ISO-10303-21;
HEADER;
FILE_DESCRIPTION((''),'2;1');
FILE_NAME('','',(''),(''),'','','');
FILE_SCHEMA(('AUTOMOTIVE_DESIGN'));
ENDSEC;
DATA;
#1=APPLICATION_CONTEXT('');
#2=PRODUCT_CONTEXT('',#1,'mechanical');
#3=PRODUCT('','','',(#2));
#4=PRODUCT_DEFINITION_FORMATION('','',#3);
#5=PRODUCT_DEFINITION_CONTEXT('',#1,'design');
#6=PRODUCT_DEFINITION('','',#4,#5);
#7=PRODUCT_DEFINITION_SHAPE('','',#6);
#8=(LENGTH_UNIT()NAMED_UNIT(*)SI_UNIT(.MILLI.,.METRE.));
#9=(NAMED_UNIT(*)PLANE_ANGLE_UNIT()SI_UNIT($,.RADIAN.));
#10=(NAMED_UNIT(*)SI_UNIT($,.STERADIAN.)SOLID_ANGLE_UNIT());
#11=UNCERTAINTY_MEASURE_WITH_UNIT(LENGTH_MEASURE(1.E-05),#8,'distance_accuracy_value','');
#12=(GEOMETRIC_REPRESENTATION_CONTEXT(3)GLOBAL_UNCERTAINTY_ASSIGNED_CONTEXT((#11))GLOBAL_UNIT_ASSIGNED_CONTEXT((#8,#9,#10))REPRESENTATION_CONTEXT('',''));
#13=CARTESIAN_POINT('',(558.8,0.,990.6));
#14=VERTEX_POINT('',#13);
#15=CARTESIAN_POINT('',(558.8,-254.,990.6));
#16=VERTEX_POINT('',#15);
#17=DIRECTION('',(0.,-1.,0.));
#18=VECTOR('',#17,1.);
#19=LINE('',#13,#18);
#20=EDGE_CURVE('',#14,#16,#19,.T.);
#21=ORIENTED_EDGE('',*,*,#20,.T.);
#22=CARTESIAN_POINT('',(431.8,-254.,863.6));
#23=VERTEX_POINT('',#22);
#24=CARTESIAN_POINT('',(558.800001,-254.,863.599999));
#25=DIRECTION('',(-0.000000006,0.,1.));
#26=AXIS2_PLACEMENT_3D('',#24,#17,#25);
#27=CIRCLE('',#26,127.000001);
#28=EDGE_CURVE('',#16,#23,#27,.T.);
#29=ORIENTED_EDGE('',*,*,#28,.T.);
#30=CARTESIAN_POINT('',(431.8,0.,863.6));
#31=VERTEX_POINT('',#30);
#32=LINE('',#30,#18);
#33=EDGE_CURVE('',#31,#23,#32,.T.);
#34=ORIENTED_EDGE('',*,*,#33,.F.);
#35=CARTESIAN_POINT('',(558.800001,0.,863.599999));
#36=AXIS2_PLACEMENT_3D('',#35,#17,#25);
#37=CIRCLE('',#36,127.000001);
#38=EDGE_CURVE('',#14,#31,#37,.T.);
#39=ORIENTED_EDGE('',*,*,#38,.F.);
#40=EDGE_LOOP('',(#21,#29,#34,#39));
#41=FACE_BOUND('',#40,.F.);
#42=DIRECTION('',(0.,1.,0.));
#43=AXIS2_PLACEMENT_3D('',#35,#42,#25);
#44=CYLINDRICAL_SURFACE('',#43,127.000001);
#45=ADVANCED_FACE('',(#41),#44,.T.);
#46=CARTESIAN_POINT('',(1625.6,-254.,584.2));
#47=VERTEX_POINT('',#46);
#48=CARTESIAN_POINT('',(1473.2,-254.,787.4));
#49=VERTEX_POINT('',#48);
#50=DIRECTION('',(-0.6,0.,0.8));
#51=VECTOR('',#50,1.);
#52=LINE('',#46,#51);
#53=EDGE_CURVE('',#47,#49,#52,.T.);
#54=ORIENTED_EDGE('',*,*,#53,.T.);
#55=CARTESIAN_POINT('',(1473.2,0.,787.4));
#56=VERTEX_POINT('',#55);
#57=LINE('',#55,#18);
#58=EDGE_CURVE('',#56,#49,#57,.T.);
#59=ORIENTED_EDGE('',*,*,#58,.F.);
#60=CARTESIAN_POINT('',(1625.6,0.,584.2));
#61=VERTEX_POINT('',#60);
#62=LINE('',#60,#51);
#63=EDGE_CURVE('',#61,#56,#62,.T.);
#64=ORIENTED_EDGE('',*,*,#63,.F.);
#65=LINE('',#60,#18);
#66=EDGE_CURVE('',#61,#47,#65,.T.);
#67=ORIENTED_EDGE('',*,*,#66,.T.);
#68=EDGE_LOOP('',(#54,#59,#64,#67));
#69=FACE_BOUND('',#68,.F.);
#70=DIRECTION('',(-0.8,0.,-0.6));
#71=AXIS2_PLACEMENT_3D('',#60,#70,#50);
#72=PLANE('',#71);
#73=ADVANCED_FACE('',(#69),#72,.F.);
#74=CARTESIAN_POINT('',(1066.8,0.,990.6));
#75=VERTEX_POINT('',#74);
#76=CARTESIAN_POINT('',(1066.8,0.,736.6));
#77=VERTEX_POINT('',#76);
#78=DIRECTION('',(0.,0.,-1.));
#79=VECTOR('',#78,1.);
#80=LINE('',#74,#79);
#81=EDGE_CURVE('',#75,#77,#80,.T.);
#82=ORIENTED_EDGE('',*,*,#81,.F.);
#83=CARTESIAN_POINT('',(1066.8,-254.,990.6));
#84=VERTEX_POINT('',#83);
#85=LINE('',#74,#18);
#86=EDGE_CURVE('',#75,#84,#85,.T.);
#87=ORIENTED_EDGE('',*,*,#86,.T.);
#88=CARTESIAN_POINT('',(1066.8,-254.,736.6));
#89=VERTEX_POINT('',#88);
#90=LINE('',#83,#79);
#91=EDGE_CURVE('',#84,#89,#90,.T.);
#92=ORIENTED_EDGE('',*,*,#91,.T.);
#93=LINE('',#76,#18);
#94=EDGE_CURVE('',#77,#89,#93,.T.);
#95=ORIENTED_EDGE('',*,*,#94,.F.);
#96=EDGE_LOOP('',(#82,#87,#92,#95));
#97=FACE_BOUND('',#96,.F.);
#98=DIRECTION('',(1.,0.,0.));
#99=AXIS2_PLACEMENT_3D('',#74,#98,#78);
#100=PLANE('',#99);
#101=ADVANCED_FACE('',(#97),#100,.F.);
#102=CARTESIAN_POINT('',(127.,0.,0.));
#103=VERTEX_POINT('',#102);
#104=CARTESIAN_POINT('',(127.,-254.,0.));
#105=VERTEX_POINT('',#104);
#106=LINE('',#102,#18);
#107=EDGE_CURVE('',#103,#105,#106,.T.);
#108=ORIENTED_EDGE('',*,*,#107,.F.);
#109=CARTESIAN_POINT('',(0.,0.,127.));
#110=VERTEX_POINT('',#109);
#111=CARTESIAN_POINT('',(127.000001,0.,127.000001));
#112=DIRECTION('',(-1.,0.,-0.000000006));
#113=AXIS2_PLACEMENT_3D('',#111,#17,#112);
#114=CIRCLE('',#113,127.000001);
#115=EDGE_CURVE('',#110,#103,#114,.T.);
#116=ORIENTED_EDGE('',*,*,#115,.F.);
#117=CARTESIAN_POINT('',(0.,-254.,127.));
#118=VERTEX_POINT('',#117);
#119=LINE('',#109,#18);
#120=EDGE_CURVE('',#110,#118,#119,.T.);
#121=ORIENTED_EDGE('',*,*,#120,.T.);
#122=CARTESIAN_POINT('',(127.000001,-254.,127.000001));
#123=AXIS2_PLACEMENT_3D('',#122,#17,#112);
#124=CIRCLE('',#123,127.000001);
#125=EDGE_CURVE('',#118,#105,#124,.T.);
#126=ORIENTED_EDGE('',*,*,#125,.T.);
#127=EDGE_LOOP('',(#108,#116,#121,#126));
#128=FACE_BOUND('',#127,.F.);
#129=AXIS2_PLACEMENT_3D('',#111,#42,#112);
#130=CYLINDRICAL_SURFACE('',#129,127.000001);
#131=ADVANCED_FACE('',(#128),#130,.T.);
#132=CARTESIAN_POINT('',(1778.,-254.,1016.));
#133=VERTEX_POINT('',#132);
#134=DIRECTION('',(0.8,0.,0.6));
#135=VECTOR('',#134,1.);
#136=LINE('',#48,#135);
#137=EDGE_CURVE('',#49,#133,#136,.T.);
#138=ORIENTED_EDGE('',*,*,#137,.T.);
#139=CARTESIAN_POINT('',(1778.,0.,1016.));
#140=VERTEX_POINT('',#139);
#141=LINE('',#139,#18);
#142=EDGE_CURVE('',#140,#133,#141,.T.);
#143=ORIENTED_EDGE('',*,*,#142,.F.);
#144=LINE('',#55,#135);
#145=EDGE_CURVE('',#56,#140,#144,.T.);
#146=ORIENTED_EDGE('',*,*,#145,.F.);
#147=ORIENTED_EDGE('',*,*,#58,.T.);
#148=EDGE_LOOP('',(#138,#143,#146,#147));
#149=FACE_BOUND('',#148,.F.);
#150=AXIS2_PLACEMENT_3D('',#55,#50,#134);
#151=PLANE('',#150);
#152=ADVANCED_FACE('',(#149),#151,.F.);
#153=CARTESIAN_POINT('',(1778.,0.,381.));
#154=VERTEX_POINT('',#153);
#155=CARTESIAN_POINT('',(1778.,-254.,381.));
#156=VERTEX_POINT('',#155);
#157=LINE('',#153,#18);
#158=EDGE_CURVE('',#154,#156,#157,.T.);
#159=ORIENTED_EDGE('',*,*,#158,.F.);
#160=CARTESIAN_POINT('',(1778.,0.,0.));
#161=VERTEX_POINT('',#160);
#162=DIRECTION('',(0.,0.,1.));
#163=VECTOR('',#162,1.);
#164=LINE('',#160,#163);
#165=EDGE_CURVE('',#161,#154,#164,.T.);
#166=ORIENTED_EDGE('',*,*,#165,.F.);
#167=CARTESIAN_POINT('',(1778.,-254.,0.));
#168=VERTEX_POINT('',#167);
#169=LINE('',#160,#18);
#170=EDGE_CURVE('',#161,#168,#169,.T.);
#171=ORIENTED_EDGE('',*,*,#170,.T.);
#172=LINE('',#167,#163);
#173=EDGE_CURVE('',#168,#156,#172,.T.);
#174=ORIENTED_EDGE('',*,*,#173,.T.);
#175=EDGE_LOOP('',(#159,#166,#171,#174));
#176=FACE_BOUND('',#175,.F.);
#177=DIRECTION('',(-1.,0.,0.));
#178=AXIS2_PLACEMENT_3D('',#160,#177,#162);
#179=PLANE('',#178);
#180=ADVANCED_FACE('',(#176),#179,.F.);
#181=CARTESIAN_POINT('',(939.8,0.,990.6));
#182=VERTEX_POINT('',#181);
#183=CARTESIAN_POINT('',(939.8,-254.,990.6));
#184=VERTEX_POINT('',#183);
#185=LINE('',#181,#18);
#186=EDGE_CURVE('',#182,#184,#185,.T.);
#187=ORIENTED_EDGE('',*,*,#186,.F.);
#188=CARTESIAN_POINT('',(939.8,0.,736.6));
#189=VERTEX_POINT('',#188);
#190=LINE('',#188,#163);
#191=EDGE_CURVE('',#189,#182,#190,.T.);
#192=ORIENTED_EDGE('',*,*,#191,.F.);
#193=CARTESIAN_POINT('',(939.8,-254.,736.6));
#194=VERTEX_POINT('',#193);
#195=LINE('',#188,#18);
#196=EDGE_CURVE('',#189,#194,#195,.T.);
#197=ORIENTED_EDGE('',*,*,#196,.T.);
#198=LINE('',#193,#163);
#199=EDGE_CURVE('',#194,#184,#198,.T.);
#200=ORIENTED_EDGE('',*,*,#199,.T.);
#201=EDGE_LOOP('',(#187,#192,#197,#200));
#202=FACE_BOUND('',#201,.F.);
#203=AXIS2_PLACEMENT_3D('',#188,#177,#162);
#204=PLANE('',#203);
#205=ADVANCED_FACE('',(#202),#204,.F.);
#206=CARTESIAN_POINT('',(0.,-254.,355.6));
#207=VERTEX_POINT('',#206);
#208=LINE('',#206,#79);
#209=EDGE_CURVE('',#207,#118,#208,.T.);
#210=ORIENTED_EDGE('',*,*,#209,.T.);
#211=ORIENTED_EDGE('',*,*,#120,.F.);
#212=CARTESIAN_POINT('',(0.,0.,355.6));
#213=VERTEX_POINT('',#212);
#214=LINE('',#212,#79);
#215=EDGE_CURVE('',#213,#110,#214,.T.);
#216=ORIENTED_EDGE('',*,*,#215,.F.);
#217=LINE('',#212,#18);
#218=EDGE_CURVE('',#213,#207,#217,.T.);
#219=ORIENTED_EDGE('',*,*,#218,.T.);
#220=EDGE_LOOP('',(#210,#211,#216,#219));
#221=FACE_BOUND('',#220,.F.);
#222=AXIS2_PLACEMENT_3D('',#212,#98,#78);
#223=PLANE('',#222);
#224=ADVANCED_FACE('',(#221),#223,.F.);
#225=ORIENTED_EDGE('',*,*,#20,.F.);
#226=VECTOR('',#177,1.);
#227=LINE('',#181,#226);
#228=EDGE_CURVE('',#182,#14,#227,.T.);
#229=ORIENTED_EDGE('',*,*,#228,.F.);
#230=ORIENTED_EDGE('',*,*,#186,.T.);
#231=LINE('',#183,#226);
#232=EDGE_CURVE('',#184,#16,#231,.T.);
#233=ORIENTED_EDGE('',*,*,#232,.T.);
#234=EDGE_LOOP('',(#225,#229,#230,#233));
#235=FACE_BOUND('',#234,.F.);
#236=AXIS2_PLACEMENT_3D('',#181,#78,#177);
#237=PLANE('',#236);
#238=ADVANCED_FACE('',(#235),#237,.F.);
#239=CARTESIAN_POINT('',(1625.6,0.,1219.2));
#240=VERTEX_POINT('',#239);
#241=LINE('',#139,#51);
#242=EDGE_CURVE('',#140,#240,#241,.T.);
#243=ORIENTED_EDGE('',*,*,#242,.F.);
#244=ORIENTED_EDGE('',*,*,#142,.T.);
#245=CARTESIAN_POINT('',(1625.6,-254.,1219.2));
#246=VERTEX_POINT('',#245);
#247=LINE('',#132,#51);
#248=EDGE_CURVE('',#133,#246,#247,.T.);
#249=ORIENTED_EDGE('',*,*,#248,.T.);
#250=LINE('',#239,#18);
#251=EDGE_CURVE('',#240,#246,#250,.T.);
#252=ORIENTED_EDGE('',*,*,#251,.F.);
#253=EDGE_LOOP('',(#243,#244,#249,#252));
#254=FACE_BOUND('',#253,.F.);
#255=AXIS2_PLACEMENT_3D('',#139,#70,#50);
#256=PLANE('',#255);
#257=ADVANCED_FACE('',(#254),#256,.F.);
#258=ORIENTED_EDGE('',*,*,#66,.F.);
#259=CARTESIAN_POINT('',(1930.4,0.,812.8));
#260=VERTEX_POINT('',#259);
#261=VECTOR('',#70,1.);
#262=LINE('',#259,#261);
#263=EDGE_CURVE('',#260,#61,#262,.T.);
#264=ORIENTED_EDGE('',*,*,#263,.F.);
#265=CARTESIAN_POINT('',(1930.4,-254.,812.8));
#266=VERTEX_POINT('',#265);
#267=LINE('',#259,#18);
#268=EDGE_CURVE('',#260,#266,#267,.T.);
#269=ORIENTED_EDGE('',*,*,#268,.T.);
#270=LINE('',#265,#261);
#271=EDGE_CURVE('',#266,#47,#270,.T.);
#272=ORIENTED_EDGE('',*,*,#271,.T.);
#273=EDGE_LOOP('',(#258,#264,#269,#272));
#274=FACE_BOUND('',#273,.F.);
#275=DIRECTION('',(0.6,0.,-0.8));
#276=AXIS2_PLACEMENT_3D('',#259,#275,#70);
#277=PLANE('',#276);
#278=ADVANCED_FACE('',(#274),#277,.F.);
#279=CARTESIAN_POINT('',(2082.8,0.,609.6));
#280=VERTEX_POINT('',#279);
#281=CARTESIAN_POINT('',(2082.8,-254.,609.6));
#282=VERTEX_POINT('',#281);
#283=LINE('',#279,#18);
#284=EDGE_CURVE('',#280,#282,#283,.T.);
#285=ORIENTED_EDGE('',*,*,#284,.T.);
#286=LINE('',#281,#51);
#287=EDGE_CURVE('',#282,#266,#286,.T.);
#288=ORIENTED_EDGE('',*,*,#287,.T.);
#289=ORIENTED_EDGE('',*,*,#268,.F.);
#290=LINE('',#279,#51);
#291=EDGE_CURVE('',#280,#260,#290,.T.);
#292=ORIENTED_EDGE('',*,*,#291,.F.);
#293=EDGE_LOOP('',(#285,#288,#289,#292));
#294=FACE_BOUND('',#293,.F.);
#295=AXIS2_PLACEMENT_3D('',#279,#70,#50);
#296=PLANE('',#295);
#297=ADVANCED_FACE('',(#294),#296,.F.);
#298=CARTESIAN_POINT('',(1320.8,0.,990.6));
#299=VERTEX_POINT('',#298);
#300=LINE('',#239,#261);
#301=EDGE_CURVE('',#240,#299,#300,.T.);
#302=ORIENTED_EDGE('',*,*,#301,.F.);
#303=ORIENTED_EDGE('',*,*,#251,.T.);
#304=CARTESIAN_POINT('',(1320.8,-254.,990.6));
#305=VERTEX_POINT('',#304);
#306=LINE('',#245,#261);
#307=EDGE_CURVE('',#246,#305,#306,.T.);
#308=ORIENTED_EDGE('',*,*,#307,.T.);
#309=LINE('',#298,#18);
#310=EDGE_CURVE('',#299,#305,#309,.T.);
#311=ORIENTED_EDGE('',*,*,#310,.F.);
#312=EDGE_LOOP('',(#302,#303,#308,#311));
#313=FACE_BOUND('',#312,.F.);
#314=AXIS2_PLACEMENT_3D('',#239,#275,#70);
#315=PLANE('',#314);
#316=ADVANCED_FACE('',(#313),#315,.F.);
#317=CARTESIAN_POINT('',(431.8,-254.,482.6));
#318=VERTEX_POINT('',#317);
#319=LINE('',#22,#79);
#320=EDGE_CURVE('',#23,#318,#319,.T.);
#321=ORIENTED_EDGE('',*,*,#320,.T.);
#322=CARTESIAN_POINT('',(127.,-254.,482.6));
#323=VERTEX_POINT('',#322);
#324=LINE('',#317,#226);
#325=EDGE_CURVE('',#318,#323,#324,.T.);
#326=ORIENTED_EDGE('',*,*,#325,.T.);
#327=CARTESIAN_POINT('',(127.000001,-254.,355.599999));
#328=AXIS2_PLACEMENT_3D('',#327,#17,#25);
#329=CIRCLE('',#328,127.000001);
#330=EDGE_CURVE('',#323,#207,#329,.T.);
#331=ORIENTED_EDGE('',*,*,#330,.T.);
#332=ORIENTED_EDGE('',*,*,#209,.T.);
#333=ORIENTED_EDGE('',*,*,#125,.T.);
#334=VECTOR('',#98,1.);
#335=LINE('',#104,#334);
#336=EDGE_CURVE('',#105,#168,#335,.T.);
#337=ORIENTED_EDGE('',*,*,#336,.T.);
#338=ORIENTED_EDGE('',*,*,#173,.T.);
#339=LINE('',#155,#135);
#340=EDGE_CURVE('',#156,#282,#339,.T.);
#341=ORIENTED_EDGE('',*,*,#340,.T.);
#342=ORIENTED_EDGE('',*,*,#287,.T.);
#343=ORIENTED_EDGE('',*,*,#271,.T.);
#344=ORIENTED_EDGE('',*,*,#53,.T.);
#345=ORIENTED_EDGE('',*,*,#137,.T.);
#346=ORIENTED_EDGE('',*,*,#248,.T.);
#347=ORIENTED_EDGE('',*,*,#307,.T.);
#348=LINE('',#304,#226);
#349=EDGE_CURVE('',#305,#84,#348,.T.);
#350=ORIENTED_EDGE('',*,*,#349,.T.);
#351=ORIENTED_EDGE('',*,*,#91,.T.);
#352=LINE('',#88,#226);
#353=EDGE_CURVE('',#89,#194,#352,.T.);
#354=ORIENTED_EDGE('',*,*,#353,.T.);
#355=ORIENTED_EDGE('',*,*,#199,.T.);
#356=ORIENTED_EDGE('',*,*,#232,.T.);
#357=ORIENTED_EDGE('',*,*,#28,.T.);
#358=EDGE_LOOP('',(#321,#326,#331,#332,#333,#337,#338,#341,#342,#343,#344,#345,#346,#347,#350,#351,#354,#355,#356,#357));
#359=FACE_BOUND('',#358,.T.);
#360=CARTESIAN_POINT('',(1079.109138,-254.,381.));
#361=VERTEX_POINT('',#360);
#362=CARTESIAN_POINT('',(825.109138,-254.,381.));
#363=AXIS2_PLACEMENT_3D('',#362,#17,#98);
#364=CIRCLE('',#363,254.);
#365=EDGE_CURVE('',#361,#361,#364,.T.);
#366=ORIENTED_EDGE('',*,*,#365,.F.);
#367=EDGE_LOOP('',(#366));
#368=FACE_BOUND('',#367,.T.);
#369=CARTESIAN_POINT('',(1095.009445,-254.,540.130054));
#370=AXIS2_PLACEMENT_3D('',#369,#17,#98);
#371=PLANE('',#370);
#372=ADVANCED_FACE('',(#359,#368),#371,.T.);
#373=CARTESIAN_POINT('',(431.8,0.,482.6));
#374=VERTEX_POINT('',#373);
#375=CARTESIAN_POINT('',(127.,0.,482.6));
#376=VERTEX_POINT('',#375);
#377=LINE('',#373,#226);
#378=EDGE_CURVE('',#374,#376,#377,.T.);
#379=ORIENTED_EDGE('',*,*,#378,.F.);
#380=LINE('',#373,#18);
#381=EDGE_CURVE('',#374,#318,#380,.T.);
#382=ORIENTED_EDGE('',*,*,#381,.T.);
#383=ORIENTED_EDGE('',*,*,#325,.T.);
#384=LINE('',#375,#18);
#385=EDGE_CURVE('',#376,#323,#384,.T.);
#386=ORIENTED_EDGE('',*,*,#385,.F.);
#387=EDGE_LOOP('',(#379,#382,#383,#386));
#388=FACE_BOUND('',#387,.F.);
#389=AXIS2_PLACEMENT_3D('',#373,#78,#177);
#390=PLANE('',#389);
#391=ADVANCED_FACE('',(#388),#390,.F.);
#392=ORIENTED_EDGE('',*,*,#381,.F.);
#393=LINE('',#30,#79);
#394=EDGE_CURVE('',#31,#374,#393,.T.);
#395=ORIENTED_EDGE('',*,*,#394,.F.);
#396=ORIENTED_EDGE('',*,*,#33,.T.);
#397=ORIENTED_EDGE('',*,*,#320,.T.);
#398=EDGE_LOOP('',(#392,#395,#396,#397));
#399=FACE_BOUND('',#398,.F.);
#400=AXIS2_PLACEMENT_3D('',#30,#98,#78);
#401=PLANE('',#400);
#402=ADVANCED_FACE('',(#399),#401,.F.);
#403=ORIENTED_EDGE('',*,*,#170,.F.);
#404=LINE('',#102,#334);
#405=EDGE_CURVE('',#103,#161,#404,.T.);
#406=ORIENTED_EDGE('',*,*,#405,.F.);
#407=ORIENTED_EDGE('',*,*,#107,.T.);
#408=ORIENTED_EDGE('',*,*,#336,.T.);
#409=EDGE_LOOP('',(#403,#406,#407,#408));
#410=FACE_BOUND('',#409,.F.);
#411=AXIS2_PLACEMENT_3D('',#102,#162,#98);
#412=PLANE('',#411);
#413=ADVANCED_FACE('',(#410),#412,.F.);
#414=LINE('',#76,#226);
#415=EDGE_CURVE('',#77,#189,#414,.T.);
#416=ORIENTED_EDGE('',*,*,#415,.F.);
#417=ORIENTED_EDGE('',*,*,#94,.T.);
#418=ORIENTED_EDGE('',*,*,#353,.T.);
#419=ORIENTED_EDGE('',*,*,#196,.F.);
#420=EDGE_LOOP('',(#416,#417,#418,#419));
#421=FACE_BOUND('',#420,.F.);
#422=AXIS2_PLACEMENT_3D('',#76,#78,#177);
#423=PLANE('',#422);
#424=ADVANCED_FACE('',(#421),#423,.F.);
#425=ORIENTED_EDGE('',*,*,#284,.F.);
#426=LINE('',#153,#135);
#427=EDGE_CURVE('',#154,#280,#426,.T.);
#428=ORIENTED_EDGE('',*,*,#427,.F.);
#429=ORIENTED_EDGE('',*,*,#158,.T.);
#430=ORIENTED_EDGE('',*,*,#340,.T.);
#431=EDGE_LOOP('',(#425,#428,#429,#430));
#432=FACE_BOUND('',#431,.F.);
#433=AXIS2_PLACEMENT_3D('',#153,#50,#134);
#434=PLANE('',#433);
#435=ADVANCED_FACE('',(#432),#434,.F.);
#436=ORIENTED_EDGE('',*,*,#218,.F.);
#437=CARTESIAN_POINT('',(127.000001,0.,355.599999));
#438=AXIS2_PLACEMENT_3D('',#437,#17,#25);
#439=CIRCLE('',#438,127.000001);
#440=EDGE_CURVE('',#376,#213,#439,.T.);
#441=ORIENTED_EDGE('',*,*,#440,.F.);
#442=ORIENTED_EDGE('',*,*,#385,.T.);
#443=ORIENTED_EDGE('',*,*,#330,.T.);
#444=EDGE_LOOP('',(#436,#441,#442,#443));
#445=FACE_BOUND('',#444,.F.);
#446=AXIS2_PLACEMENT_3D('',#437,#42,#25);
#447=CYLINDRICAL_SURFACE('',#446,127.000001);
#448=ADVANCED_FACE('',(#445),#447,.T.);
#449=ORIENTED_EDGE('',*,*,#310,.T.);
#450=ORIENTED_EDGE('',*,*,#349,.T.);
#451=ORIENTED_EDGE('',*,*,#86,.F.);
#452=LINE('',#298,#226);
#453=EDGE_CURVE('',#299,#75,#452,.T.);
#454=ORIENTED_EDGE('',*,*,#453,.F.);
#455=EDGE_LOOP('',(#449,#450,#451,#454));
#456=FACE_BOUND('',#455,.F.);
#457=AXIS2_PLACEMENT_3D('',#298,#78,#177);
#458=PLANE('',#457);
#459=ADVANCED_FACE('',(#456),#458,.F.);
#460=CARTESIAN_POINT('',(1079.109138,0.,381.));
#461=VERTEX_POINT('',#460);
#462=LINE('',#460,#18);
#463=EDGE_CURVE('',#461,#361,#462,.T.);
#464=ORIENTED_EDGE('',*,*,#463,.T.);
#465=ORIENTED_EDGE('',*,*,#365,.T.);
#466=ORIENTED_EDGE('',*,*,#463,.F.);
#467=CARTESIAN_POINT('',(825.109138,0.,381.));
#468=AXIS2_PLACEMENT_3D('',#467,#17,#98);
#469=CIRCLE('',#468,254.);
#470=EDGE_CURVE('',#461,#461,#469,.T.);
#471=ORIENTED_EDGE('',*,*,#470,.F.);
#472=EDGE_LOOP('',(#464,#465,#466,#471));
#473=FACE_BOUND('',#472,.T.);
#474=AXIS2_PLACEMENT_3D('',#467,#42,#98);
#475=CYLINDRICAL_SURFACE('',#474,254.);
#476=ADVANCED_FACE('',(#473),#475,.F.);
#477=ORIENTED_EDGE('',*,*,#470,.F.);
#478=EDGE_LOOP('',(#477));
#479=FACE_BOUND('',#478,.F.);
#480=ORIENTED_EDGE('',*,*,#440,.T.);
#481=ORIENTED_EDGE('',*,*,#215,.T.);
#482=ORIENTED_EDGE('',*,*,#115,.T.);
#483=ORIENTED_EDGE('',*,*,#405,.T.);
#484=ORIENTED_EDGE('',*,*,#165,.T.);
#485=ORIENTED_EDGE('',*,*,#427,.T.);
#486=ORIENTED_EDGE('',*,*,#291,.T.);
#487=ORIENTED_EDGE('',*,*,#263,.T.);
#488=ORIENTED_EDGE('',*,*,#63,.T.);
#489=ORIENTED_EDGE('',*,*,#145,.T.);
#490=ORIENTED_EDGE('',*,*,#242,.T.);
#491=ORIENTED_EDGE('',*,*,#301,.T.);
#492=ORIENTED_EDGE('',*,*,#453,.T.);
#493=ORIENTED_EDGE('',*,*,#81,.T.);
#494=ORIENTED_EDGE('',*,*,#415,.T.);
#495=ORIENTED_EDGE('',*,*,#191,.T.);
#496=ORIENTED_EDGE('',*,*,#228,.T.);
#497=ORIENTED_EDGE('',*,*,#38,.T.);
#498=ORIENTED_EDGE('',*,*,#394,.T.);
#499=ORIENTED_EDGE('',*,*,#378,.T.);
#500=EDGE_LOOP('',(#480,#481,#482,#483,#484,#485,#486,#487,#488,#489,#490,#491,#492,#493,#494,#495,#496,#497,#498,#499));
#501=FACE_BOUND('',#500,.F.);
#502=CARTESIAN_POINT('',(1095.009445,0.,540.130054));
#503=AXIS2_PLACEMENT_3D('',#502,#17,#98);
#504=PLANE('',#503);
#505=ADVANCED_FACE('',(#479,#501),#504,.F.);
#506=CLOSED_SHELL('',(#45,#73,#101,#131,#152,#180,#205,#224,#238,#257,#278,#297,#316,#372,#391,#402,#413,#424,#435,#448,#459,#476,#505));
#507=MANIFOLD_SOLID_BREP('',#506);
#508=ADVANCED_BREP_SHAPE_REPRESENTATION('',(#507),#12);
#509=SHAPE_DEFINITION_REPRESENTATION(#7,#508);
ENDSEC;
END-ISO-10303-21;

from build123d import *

# Parameters (mm, degrees)
F0_R     = 254
F1_DEPTH = 254


with BuildPart() as f1:
    # F0 (on Front) → F1 (new body)
    with BuildSketch(Plane.XZ):
        with BuildLine():
            ThreePointArc((0, 127), (37.197439, 37.197439), (127, 0))
            Line((127, 0), (1778, 0))
            Line((1778, 0), (1778, 381))
            Line((1778, 381), (2082.8, 609.6))
            Line((2082.8, 609.6), (1930.4, 812.8))
            Line((1930.4, 812.8), (1625.6, 584.2))
            Line((1625.6, 584.2), (1473.2, 787.4))
            Line((1473.2, 787.4), (1778, 1016))
            Line((1778, 1016), (1625.6, 1219.2))
            Line((1625.6, 1219.2), (1320.8, 990.6))
            Line((1320.8, 990.6), (1066.8, 990.6))
            Line((1066.8, 990.6), (1066.8, 736.6))
            Line((1066.8, 736.6), (939.8, 736.6))
            Line((939.8, 736.6), (939.8, 990.6))
            Line((939.8, 990.6), (685.8, 990.6))
            Line((685.8, 990.6), (558.8, 990.6))
            ThreePointArc((558.8, 990.6), (468.997439, 953.402561), (431.8, 863.6))
            Line((431.8, 863.6), (431.8, 736.6))
            Line((431.8, 736.6), (431.8, 482.6))
            Line((431.8, 482.6), (127, 482.6))
            ThreePointArc((127, 482.6), (37.197439, 445.402561), (0, 355.6))
            Line((0, 355.6), (0, 127))
        make_face()
        with Locations((825.109138, 381)):
            Circle(F0_R, mode=Mode.SUBTRACT)
    extrude(amount=F1_DEPTH)


solid = f1.part
